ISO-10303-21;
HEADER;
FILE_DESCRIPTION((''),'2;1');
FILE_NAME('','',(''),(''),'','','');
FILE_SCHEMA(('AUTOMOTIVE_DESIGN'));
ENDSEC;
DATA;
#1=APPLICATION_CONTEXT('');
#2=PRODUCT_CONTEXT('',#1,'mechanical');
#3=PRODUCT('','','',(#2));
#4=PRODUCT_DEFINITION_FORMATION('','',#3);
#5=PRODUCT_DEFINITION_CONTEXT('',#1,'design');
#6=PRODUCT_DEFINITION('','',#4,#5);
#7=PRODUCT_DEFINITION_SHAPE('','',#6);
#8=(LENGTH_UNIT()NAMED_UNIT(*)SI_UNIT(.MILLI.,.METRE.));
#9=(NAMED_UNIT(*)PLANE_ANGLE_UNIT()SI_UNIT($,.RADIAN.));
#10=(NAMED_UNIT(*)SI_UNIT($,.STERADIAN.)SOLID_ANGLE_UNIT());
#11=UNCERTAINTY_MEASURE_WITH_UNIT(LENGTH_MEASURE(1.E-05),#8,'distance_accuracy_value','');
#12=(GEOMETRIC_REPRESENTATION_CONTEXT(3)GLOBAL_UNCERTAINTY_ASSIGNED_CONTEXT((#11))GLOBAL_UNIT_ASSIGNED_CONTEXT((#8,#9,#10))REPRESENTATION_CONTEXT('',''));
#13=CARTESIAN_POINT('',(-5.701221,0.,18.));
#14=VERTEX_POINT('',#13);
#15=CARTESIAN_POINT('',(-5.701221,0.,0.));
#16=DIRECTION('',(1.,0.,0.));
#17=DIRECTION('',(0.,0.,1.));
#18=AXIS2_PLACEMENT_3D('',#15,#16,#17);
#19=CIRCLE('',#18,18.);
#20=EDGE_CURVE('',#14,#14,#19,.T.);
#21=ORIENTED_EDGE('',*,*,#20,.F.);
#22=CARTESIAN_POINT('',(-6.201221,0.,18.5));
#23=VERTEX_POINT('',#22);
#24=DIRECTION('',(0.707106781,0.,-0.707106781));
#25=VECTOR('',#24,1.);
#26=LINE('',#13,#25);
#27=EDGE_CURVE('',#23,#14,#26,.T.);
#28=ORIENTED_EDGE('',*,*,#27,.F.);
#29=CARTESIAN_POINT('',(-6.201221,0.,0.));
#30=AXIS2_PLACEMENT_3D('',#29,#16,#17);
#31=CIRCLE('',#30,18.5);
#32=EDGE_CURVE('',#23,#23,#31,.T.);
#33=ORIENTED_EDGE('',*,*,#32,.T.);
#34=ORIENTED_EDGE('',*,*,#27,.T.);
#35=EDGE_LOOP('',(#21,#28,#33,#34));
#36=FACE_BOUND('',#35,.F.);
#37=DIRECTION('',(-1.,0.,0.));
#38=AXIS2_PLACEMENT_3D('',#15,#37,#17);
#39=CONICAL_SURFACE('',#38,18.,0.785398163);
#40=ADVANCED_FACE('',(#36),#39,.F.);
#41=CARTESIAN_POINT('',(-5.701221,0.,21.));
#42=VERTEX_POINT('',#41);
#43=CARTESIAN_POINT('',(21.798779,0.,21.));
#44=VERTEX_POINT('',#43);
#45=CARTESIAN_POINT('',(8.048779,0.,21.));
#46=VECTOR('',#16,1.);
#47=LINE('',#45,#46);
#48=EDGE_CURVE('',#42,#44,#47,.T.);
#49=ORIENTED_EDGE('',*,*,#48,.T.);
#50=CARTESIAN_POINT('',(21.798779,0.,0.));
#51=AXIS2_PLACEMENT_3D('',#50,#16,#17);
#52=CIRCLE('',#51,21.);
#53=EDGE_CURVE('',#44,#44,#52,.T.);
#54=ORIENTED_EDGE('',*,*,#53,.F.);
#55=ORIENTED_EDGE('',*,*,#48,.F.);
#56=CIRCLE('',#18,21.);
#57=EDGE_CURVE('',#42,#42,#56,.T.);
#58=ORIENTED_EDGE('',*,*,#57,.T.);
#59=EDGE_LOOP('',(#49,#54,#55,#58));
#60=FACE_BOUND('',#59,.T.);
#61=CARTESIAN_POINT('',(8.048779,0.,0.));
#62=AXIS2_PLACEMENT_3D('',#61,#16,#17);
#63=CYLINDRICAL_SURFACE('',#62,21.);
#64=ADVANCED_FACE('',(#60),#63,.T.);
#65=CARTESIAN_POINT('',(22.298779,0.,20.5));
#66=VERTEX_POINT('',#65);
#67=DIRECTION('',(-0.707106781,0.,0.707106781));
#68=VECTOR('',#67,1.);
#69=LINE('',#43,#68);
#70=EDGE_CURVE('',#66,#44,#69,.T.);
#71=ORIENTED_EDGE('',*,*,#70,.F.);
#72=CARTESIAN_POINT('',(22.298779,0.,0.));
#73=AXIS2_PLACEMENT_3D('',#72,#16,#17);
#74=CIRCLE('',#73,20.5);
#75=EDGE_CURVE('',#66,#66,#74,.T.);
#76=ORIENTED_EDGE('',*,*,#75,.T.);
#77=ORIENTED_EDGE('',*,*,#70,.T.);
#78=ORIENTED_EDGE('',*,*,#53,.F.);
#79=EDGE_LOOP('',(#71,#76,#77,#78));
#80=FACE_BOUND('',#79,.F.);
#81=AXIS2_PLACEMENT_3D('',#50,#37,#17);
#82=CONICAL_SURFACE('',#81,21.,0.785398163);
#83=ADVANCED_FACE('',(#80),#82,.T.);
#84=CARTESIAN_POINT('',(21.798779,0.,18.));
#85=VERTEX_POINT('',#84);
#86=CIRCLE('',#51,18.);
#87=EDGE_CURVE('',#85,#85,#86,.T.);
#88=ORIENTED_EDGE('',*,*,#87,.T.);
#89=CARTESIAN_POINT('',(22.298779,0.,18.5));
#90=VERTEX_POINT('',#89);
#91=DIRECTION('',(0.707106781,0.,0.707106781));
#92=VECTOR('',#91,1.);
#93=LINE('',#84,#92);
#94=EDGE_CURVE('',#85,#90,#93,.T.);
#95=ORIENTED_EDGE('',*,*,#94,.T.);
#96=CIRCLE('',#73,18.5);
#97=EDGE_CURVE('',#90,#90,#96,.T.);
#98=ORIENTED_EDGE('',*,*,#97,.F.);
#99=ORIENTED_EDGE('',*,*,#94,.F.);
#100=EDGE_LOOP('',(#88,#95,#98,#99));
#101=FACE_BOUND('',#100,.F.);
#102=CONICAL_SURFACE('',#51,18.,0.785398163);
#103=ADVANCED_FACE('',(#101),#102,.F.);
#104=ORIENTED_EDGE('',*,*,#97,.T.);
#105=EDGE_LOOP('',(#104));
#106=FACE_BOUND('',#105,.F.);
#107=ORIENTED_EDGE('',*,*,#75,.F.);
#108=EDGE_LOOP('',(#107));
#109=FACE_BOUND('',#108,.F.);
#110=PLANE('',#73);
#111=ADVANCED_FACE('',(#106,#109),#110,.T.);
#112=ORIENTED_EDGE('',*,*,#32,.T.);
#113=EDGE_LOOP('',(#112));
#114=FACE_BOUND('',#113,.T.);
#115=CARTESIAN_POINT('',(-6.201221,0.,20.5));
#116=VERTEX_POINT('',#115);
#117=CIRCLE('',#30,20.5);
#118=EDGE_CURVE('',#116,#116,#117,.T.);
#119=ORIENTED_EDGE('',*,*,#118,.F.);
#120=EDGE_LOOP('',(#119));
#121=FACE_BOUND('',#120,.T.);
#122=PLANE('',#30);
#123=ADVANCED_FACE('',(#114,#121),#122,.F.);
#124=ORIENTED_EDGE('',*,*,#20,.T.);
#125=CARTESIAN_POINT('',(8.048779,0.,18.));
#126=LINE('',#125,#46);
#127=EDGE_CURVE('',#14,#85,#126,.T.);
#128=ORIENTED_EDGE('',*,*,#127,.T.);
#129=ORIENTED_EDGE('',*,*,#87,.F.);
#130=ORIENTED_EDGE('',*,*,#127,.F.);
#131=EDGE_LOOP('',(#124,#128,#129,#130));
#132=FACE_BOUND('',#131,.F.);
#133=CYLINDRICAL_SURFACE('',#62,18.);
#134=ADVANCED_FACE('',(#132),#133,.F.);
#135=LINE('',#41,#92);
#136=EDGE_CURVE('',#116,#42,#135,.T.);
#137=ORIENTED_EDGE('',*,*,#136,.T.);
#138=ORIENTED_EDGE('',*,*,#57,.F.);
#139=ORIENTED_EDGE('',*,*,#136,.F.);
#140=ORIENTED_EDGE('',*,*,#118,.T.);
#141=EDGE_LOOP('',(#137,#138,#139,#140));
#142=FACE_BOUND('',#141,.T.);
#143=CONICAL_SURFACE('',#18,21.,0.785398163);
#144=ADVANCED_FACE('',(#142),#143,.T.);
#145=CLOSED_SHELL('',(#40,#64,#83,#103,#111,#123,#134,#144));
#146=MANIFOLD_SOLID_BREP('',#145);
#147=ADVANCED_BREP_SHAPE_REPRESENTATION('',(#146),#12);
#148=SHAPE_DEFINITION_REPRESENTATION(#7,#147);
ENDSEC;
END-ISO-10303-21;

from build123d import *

# Parameters (mm, degrees)
F0_W    = 28.5
F0_H    = 3
F2_SIZE = 0.5


with BuildPart() as f1:
    # F0 (on Front) → F1 (revolve)
    with BuildSketch(Plane.XZ):
        with Locations((8.048779, 19.5)):
            Rectangle(F0_W, F0_H)
    revolve(axis=Axis((4.22471, 0, 0), (1, 0, 0)))

    # F2
    f2_edges = [f1.edges().sort_by_distance(p)[0] for p in [
        (22.298779, 0, -21),
        (-6.201221, 0, -21),
        (8.048779, 0, 21),
        (-6.201221, 0, -18),
        (22.298779, 0, -18),
        (8.048779, 0, 18),
    ]]
    chamfer(f2_edges, length=F2_SIZE)


solid = f1.part
